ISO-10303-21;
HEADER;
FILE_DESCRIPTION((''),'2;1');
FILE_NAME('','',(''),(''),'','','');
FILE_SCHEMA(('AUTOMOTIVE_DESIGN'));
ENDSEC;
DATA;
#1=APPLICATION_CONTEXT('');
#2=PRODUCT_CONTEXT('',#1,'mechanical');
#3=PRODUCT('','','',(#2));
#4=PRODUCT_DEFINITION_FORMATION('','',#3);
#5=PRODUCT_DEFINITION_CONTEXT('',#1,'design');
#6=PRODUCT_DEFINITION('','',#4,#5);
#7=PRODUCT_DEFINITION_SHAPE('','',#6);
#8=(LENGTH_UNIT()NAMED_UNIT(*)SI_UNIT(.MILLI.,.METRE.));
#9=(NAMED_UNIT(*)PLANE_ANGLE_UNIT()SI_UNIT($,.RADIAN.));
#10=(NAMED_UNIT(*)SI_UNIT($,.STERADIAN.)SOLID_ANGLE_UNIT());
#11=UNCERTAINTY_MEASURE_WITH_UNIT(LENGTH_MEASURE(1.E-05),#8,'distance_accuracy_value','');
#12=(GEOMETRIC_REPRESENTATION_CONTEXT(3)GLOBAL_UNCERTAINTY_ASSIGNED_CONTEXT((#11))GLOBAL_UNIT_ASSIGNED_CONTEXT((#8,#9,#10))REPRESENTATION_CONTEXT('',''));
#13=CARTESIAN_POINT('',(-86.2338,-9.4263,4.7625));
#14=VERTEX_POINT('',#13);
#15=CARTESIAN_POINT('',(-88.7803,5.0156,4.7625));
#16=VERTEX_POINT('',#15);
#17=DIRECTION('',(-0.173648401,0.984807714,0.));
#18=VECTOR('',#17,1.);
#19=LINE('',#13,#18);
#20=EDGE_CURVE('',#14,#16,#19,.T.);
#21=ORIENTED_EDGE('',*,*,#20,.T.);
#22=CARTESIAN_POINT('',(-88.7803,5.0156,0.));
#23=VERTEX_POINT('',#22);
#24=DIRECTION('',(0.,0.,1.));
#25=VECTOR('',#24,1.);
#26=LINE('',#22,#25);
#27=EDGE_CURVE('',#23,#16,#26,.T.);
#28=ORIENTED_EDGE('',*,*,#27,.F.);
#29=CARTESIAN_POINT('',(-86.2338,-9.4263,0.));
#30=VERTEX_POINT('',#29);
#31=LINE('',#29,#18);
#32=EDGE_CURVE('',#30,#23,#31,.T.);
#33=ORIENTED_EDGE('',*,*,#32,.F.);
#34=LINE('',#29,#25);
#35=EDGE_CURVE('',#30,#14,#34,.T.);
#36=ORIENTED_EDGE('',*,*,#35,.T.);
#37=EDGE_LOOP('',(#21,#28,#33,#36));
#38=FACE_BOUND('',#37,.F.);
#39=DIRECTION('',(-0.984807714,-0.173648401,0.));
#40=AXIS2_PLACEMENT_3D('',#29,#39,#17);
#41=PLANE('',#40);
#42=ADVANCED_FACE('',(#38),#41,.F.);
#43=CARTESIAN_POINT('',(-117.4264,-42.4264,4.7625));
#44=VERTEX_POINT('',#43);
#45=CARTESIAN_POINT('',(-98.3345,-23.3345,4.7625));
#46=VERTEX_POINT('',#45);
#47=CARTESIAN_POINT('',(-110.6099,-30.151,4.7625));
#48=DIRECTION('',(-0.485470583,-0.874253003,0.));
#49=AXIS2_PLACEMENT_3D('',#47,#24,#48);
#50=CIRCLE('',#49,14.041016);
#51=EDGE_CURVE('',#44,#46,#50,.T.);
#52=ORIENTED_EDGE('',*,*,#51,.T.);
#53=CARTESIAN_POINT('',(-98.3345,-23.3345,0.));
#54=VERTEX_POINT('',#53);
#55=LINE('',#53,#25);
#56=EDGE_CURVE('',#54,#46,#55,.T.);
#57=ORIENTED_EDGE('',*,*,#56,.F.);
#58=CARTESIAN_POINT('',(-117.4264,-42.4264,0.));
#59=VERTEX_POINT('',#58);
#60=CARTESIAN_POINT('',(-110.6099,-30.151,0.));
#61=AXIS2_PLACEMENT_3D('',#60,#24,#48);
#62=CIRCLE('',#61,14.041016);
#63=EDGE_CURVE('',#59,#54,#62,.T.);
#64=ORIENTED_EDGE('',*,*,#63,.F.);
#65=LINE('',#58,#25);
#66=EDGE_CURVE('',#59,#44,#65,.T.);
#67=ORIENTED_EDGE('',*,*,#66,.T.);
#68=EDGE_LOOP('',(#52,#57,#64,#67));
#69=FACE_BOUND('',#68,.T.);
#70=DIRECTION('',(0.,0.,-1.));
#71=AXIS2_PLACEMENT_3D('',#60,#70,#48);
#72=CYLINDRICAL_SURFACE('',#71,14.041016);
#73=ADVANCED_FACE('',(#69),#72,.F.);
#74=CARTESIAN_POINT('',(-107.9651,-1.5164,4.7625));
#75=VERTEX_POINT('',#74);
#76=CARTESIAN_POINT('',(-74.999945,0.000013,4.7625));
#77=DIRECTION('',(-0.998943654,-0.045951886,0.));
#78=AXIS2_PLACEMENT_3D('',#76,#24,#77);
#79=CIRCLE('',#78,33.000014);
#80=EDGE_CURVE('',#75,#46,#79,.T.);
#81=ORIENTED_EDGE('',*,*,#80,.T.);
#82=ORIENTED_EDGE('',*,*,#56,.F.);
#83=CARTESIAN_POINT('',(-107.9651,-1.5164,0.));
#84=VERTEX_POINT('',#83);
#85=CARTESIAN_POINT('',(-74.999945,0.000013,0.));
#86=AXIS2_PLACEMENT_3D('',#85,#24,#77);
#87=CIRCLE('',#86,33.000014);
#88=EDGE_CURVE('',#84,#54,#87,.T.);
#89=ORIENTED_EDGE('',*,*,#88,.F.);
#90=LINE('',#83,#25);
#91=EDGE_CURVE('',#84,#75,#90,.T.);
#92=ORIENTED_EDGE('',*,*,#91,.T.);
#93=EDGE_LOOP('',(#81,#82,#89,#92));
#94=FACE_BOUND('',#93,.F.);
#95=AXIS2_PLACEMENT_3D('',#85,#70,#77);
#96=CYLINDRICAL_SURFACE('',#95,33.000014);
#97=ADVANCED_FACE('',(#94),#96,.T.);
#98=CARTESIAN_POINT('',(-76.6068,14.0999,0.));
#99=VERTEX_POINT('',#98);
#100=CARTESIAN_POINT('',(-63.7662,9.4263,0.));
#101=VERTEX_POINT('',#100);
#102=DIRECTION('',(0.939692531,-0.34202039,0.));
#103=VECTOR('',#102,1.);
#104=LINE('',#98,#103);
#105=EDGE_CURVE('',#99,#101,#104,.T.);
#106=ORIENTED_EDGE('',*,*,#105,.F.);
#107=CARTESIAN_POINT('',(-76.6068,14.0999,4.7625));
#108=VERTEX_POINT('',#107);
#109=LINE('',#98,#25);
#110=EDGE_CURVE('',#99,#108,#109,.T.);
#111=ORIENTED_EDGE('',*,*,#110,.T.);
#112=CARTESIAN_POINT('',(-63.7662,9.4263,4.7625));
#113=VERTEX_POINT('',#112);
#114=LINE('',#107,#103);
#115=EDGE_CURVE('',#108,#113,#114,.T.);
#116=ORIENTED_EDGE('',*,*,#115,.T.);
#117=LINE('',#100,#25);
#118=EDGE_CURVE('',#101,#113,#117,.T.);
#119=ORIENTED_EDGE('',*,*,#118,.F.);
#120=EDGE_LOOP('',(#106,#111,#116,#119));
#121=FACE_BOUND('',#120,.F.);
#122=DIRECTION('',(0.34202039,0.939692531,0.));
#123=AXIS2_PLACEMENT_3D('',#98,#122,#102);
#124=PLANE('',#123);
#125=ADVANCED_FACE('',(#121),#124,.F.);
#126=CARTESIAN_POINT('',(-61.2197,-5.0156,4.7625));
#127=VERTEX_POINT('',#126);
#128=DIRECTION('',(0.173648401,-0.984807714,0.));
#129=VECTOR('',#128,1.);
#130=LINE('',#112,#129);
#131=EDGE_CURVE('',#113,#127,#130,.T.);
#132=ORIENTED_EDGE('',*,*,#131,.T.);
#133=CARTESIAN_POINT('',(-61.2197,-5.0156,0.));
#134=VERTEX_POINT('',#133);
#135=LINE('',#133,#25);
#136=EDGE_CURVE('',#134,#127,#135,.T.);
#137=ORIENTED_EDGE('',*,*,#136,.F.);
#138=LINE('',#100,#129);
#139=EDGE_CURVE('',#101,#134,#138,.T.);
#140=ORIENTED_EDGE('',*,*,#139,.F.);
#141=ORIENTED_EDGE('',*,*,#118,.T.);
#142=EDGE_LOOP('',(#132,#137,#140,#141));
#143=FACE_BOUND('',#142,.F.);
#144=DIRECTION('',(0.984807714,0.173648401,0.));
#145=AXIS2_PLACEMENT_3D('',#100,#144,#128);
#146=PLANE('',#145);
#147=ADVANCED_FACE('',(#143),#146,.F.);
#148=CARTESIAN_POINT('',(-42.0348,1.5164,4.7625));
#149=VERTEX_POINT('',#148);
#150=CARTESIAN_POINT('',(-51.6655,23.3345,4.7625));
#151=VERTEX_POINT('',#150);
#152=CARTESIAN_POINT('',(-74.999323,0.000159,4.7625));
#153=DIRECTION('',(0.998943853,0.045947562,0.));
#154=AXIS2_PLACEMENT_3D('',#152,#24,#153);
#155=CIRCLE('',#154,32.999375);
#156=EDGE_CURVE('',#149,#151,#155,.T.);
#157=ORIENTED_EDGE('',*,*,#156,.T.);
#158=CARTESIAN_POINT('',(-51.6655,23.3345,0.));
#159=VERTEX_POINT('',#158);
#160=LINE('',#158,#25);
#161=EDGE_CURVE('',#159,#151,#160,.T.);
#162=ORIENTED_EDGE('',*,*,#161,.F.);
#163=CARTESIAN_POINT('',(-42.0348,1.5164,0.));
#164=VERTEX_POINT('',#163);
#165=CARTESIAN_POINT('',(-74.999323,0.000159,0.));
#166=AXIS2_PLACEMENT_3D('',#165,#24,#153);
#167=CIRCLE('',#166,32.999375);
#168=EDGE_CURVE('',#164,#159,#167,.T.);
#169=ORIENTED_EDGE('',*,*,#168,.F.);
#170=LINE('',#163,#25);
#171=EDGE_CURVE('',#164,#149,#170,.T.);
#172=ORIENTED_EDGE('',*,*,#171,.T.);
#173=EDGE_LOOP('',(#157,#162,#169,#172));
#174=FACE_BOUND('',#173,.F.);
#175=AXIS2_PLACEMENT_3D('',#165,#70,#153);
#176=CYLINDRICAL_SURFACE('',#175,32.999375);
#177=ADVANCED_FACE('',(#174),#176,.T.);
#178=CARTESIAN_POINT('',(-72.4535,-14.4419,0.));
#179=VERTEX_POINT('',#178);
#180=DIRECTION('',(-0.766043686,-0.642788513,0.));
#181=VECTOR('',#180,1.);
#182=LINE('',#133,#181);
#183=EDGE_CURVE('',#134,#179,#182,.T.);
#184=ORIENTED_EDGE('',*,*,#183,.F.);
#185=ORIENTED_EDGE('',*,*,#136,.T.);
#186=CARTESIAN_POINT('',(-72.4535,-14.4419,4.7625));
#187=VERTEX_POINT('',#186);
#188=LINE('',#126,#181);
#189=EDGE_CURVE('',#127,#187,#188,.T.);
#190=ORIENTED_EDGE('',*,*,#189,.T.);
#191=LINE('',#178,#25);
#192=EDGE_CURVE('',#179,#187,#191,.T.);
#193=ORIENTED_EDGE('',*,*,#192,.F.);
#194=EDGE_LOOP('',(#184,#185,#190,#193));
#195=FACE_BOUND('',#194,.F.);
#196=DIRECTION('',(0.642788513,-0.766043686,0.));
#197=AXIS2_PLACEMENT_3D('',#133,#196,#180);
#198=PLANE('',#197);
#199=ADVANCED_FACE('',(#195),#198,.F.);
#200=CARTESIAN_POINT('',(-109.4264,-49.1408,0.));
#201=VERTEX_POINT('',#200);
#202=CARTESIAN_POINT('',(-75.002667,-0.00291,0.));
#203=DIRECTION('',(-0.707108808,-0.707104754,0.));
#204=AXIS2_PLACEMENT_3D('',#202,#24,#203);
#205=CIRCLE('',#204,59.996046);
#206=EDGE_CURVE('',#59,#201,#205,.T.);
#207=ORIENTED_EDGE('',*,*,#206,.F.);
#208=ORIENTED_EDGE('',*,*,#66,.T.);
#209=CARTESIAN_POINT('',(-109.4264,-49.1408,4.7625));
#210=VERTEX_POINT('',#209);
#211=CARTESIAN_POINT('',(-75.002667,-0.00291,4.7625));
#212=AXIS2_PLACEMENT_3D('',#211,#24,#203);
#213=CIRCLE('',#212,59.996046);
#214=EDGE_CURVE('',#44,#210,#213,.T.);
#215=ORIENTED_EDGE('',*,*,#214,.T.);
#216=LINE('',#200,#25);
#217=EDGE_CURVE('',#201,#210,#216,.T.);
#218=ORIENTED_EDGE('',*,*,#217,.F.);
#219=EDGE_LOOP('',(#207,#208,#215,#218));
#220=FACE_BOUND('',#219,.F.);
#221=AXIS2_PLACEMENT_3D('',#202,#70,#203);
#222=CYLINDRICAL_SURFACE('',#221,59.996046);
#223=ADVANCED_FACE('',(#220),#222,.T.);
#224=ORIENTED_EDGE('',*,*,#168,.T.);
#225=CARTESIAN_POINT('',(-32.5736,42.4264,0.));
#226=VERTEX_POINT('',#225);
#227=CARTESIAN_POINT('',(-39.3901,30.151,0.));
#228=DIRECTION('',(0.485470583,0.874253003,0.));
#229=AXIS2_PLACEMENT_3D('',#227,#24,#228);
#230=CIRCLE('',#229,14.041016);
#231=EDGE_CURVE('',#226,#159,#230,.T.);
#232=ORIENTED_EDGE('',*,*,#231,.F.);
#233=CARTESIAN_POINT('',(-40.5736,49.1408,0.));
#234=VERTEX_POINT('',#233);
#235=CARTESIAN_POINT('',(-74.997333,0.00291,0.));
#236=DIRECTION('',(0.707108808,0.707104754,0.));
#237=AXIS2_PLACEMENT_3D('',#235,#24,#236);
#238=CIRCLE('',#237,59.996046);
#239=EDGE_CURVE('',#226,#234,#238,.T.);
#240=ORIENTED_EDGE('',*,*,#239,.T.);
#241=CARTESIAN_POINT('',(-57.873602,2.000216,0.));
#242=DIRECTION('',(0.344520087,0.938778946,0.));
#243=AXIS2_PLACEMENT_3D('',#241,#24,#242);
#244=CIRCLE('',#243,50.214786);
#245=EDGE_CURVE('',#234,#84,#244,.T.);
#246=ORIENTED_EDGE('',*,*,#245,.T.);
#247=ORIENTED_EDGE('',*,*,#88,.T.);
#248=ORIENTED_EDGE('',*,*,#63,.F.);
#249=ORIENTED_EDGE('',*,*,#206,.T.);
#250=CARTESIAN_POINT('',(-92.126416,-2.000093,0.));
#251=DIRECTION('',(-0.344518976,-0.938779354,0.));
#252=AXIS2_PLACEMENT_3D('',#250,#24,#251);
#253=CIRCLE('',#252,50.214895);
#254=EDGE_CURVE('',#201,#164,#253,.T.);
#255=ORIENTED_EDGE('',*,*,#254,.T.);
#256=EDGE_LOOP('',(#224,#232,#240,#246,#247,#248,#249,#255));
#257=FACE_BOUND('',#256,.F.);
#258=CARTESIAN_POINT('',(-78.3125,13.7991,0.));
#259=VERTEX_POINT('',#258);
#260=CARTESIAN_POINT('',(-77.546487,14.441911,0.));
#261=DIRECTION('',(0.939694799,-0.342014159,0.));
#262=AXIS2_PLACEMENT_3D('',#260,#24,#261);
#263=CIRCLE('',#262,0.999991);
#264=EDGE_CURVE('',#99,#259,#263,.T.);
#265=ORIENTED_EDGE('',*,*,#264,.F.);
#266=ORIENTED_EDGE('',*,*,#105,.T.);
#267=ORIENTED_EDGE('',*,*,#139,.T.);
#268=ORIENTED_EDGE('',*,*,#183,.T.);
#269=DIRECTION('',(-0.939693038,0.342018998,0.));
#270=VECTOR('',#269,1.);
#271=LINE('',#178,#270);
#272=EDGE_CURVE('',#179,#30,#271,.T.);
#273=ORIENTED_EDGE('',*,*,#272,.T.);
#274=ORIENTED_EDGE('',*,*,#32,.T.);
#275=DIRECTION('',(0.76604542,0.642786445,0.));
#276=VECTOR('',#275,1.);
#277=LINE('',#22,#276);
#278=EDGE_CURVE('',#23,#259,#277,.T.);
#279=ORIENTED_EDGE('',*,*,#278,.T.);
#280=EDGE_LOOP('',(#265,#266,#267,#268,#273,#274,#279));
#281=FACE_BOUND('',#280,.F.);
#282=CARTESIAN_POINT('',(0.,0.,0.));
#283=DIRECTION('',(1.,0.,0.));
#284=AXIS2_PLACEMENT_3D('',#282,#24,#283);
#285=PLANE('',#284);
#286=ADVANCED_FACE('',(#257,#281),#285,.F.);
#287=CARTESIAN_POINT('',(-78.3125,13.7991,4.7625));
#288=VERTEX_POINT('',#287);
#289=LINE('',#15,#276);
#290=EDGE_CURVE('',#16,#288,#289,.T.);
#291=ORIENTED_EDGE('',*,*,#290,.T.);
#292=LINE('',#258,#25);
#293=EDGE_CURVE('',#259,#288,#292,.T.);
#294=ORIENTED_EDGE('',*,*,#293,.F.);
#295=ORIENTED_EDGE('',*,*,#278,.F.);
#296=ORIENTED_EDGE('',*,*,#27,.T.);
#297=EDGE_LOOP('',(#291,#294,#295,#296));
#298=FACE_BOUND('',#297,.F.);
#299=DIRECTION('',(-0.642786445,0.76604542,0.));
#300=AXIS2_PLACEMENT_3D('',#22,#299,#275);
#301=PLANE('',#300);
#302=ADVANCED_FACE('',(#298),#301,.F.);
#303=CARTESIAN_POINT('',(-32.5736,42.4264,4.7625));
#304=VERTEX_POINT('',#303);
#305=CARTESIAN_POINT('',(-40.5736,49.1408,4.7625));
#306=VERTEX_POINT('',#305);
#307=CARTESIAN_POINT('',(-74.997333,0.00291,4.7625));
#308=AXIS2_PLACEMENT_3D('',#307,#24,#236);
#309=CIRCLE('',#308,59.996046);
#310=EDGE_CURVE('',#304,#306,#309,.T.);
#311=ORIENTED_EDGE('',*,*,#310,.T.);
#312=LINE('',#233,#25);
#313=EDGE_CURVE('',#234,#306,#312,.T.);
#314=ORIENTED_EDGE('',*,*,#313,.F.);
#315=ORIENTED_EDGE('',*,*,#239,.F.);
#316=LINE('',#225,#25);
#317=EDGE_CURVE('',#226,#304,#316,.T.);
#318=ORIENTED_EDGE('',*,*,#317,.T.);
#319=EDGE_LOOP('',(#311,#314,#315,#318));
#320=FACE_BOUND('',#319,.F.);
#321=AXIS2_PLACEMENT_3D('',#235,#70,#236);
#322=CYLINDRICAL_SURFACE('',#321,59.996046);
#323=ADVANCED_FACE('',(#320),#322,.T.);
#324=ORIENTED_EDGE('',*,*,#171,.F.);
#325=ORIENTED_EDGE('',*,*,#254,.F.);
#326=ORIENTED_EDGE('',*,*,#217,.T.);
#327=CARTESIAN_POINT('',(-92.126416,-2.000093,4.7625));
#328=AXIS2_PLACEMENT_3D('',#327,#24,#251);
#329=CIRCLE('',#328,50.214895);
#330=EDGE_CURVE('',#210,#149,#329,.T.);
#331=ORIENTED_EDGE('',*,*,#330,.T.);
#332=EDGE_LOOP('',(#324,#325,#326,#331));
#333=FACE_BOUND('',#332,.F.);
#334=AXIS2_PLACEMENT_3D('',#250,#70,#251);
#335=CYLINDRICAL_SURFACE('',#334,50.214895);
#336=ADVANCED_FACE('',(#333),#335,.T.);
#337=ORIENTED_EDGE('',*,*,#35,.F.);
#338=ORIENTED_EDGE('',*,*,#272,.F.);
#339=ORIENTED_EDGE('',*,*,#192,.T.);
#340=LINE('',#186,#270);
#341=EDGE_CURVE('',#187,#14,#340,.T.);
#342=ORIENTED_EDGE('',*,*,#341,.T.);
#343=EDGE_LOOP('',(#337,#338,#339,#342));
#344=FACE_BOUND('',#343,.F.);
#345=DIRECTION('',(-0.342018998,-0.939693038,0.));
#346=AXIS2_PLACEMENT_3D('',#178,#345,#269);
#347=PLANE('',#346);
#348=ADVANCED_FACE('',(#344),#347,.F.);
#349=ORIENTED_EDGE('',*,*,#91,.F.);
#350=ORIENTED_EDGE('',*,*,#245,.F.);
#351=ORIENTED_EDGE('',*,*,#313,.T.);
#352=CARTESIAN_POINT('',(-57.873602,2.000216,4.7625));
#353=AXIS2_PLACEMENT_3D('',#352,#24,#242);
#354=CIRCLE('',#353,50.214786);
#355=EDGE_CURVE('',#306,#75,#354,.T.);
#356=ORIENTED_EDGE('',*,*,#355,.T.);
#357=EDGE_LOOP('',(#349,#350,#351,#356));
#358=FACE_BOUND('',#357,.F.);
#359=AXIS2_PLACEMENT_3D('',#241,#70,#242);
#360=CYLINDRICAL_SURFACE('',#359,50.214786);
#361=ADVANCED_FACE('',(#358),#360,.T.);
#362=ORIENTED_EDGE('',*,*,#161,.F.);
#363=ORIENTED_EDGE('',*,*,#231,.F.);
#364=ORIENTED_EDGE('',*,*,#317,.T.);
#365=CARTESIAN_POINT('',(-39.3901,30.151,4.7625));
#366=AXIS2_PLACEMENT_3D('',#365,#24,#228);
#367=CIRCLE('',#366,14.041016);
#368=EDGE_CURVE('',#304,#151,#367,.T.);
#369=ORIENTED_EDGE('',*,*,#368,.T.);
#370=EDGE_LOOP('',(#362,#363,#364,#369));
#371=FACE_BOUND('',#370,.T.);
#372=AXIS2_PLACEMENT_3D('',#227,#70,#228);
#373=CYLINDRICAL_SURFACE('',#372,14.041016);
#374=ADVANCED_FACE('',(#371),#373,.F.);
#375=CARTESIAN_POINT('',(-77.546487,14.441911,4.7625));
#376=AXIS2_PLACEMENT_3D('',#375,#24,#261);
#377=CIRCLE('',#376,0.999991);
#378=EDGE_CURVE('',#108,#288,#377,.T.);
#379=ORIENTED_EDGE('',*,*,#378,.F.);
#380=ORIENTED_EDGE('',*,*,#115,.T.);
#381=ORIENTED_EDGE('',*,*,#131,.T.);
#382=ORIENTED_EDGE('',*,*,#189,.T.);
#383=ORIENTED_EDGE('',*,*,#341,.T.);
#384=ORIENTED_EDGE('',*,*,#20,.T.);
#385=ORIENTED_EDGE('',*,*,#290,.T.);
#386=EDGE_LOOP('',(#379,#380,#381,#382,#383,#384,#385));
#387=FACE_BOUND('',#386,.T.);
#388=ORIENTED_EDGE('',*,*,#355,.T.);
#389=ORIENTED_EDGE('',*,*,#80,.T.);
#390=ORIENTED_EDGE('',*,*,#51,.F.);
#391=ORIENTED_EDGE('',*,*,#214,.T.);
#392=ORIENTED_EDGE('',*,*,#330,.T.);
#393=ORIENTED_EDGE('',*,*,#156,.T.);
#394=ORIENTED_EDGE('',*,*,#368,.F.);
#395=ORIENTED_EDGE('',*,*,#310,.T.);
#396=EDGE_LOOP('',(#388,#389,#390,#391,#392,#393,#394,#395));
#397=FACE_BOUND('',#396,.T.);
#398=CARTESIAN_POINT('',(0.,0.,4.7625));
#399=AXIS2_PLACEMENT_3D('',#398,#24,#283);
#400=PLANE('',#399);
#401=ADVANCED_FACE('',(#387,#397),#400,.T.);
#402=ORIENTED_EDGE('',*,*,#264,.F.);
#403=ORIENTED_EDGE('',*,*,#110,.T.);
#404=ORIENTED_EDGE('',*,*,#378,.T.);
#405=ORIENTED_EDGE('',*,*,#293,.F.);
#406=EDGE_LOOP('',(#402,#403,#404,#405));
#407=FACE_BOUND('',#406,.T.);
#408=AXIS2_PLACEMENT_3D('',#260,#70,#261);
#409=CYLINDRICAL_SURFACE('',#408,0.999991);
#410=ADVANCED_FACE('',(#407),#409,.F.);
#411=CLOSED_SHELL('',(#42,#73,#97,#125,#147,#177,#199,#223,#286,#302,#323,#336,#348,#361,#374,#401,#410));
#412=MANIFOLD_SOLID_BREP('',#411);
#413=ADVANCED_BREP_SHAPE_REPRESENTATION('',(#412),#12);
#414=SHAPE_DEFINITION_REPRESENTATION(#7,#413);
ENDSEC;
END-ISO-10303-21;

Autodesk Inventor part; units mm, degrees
ref_plane "YZ Plane" through (0, 0, 0) normal (1, 0, 0) x (0, 1, 0)
ref_plane "XZ Plane" through (0, 0, 0) normal (0, 1, 0) x (-1, 0, 0)
ref_plane "XY Plane" through (0, 0, 0) normal (0, 0, 1) x (1, 0, 0)
sketch "Sketch1" plane through (0, 0, 0) normal (0, 0, 1) x (1, 0, 0)
  arc A0 (-32.5736, 42.4264) -> (-51.6655, 23.3345) centre (-39.3901, 30.151) ccw
  arc A1 (-32.5736, 42.4264) -> (-40.5736, 49.1408) centre (-75, 0) ccw
  arc A2 (-40.5736, 49.1408) -> (-107.9651, -1.5164) centre (-57.8736, 2.0002) ccw
  arc A3 (-107.9651, -1.5164) -> (-98.3345, -23.3345) centre (-75, 0) ccw
  arc A4 (-117.4264, -42.4264) -> (-98.3345, -23.3345) centre (-110.6099, -30.151) ccw
  arc A5 (-117.4264, -42.4264) -> (-109.4264, -49.1408) centre (-75, 0) ccw
  arc A6 (-109.4264, -49.1408) -> (-42.0348, 1.5164) centre (-92.1264, -2.0002) ccw
  arc A7 (-42.0348, 1.5164) -> (-51.6655, 23.3345) centre (-75, 0) ccw
  line L0 (-76.6068, 14.0999) -> (-63.7662, 9.4263)
  line L1 (-63.7662, 9.4263) -> (-61.2197, -5.0156)
  line L2 (-61.2197, -5.0156) -> (-72.4535, -14.4419)
  line L3 (-72.4535, -14.4419) -> (-86.2338, -9.4263)
  line L4 (-86.2338, -9.4263) -> (-88.7803, 5.0156)
  line L5 (-88.7803, 5.0156) -> (-78.3125, 13.7991)
  arc A8 (-76.6068, 14.0999) -> (-78.3125, 13.7991) centre (-77.5465, 14.4419) ccw
  arc A9 (-40.5736, 49.1408) -> (-107.9651, -1.5164) centre (-57.8736, 2.0002) ccw
  arc A10 (-107.9651, -1.5164) -> (-98.3345, -23.3345) centre (-75, 0) ccw
  arc A11 (-117.4264, -42.4264) -> (-98.3345, -23.3345) centre (-110.6099, -30.151) ccw
  arc A12 (-117.4264, -42.4264) -> (-109.4264, -49.1408) centre (-75, 0) ccw
  arc A13 (-109.4264, -49.1408) -> (-42.0348, 1.5164) centre (-92.1264, -2.0002) ccw
  arc A14 (-42.0348, 1.5164) -> (-51.6655, 23.3345) centre (-75, 0) ccw
  arc A15 (-32.5736, 42.4264) -> (-51.6655, 23.3345) centre (-39.3901, 30.151) ccw
  arc A16 (-32.5736, 42.4264) -> (-40.5736, 49.1408) centre (-75, 0) ccw
  point P0 (0, 0)
extrude "Extrusion1" add sketch "Sketch1" along normal blind 4.7625
properties part number "3-16inch_Knife1_Piece1"
